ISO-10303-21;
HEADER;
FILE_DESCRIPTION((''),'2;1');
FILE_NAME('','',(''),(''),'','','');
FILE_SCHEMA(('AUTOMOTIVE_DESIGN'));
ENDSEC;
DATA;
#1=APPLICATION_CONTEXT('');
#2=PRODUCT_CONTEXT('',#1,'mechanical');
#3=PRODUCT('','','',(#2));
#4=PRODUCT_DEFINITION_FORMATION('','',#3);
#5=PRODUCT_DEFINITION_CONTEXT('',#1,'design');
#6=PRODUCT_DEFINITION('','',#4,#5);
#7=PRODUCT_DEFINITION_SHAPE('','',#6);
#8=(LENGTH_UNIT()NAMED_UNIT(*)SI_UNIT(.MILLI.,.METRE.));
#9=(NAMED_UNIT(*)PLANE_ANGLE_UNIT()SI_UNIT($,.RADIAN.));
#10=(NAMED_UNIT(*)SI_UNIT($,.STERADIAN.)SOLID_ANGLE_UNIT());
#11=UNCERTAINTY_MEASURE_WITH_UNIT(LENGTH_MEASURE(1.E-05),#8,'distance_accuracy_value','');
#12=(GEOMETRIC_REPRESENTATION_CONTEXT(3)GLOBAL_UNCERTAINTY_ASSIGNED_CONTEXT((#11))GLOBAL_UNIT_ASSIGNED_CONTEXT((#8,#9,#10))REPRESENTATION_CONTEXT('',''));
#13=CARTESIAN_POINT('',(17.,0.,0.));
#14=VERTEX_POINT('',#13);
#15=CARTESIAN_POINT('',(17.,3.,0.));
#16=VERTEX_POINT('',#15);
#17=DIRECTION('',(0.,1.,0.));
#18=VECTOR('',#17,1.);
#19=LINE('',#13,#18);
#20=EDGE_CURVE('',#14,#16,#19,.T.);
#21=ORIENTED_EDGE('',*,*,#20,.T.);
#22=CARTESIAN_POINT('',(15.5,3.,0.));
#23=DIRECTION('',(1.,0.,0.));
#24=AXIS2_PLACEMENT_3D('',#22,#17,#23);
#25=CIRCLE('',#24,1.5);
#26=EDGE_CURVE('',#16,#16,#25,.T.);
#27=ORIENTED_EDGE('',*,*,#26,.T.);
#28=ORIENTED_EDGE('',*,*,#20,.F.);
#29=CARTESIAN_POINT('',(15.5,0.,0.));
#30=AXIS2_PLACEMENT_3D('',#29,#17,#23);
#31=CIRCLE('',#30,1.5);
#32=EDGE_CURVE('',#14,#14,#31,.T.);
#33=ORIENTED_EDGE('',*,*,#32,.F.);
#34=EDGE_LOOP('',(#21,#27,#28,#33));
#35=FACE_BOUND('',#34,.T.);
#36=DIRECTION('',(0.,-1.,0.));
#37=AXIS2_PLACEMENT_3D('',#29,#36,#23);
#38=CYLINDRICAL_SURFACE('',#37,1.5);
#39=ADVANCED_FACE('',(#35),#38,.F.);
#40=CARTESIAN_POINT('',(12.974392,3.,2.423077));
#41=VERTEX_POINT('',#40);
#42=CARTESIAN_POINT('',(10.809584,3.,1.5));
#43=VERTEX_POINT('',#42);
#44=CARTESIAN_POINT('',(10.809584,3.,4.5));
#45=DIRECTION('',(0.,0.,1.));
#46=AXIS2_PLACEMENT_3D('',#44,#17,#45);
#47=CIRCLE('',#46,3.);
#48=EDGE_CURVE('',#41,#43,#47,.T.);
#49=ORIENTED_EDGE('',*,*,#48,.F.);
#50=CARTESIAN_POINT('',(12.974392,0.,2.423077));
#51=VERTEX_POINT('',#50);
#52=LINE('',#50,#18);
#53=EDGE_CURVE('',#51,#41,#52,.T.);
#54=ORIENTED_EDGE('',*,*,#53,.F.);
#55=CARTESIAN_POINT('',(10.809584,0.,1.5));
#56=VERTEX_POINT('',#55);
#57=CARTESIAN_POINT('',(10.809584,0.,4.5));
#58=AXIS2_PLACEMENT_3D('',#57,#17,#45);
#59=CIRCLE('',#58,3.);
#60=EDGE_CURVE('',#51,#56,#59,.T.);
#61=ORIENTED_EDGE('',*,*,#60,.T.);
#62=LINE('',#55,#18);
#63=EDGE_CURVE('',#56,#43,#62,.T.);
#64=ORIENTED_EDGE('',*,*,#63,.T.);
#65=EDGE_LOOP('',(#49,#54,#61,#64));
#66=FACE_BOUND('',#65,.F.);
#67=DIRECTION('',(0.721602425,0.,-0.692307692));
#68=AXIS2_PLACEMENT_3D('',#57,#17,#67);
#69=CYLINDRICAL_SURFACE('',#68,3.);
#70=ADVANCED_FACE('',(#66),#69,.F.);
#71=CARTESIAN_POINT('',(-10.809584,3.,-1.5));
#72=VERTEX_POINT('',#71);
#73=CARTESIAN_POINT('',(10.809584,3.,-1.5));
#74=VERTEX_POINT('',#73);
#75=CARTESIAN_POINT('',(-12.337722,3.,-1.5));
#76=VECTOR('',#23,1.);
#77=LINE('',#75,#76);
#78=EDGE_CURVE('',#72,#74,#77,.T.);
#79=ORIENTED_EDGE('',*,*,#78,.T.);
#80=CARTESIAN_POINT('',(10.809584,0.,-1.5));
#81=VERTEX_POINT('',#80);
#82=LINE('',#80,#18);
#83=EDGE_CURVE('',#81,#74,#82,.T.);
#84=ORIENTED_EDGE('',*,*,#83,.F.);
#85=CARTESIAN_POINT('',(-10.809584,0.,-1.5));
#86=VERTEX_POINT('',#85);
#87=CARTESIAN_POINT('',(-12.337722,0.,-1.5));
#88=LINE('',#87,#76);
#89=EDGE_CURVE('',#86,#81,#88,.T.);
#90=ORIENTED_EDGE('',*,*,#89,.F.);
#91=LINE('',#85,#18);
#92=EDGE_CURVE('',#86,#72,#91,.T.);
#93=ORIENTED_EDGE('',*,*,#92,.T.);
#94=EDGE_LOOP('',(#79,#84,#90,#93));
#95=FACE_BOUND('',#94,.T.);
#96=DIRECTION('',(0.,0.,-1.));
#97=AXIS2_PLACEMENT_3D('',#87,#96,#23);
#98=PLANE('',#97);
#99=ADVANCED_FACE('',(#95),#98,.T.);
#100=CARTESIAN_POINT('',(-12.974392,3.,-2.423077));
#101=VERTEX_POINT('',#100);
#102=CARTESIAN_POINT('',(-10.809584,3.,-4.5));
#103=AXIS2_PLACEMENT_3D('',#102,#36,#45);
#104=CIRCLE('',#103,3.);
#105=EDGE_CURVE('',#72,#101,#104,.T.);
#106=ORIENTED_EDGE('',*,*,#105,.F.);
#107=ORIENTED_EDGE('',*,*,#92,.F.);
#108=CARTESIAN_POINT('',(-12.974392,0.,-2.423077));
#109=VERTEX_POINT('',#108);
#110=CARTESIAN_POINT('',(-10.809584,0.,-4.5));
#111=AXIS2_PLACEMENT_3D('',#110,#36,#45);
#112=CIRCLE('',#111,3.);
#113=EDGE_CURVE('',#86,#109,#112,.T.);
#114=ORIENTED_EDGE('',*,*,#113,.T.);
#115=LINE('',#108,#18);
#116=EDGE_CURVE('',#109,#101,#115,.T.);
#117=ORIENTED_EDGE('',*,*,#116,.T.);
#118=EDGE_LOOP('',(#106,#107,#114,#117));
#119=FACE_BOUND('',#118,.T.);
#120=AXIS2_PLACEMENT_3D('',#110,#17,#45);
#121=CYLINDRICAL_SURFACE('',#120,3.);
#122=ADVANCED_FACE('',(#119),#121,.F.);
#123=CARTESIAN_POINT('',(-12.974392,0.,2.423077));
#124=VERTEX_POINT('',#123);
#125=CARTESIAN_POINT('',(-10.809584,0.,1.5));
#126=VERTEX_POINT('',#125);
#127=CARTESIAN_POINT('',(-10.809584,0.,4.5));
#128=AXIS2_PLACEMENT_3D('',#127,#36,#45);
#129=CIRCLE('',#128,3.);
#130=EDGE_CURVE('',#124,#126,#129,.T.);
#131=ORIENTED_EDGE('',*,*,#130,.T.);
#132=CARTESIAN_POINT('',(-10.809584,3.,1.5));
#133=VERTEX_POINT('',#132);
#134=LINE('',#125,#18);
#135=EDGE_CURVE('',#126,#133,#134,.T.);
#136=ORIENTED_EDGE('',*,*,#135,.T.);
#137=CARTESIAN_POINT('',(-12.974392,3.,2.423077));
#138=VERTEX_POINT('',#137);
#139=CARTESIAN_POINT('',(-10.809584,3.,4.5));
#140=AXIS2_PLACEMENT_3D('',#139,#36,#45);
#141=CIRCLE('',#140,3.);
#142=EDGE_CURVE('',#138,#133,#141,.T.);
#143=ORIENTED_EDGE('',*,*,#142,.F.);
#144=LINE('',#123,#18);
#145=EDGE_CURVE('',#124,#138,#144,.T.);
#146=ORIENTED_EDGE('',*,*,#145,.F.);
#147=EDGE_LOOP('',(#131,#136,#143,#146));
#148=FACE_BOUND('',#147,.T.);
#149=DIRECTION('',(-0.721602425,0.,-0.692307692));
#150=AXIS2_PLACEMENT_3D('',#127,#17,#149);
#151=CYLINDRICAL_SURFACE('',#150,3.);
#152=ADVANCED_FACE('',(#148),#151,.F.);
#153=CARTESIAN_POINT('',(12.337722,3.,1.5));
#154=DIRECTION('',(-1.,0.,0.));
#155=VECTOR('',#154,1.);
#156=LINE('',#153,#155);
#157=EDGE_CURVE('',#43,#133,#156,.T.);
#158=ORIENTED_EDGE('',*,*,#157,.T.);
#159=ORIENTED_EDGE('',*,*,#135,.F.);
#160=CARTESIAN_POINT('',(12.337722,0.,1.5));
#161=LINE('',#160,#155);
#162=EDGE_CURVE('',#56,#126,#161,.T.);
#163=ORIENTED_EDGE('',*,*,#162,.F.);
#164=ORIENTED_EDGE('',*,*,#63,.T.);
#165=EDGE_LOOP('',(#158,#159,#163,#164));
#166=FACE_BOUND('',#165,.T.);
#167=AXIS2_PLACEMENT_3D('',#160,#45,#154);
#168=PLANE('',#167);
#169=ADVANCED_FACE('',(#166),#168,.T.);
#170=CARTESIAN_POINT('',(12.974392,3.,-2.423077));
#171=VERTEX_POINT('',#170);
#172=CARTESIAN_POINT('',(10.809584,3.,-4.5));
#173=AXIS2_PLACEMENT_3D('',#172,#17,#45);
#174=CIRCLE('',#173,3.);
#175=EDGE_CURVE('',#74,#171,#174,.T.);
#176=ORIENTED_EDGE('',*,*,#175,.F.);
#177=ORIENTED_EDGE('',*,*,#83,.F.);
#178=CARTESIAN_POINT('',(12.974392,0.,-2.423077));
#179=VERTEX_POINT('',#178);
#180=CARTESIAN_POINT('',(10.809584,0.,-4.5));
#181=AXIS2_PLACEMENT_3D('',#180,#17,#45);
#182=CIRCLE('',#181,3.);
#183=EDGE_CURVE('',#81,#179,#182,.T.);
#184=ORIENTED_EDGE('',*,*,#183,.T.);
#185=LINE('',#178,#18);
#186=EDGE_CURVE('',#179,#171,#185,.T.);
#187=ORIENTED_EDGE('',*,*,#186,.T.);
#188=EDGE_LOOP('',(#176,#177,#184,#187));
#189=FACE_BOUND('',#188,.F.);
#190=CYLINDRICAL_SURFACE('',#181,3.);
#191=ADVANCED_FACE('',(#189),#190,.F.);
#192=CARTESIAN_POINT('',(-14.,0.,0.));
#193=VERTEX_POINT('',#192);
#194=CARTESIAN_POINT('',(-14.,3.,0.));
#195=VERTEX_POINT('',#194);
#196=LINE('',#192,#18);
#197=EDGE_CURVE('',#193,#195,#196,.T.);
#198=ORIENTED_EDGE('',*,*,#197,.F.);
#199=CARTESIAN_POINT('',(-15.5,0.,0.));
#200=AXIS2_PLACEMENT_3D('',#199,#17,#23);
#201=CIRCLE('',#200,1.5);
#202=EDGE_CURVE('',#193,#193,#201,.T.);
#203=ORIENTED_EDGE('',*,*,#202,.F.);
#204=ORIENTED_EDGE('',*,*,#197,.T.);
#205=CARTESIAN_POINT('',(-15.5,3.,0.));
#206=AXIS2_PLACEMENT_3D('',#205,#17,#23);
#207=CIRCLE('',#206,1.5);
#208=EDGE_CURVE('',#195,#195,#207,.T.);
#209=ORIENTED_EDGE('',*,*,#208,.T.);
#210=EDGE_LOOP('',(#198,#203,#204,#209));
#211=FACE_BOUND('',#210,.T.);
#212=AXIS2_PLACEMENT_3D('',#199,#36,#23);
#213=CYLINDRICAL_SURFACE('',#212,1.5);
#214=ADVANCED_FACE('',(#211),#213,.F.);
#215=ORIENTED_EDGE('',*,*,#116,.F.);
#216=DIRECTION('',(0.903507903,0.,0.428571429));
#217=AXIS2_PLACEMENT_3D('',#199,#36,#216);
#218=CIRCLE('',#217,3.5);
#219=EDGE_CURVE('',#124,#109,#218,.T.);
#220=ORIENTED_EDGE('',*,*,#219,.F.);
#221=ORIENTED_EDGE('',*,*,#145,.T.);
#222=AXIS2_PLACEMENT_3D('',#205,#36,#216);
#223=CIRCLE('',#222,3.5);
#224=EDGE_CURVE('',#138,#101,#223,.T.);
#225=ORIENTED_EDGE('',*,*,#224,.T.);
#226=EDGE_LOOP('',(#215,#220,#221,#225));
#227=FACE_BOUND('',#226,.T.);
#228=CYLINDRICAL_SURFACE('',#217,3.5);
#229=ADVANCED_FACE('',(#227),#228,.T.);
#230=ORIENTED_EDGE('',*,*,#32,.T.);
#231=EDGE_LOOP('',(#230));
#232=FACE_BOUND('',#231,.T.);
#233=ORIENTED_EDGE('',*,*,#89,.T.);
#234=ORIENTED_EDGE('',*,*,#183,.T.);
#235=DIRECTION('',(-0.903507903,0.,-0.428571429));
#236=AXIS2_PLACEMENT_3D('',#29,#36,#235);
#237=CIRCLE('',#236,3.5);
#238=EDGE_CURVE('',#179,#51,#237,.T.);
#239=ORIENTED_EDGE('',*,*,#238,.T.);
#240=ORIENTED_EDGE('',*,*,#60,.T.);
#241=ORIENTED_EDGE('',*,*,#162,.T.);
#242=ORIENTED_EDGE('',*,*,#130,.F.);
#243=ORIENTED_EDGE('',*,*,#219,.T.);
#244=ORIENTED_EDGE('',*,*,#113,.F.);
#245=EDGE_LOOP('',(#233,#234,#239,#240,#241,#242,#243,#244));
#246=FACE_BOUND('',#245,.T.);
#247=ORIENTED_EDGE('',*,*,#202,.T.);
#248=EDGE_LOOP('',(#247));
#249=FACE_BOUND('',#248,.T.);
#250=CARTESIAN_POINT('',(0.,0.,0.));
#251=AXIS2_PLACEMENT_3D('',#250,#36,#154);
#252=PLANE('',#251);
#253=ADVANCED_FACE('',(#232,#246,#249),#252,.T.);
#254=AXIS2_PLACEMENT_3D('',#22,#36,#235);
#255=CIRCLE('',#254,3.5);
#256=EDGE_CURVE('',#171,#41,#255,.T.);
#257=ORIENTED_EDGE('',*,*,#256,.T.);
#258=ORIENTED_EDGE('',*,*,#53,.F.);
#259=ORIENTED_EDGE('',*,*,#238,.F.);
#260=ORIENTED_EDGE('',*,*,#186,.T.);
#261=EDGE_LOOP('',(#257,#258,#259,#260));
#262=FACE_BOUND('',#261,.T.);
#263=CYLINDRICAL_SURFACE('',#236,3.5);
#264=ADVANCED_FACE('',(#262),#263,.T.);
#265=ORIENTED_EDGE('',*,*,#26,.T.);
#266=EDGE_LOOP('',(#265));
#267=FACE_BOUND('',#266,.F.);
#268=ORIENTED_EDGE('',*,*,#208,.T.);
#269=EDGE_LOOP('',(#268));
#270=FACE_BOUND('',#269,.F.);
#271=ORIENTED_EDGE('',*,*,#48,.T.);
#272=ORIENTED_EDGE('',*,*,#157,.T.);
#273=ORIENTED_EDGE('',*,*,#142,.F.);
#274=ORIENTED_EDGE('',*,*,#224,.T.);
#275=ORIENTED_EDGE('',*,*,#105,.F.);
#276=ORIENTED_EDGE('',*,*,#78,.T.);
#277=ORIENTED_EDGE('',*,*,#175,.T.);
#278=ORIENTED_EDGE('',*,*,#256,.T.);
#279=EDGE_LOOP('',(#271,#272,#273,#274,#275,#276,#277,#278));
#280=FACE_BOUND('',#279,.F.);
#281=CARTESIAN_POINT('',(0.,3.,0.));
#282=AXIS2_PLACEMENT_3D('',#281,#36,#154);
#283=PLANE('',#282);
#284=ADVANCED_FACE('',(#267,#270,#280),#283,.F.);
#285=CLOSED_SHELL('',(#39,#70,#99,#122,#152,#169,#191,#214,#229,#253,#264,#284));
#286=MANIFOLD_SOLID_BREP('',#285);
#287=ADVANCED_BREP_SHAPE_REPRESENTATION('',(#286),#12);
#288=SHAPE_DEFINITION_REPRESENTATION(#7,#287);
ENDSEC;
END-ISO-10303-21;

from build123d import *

# Parameters (mm, degrees)
SKETCH1_R           = 1.5
BOSS_EXTRUDE1_DEPTH = 3
FILLET1_R           = 3


with BuildPart() as part:
    # Sketch1 → Boss-Extrude1 (new body)
    with BuildSketch(Plane(origin=(0, 0, 0), x_dir=(1, 0, 0), z_dir=(0, 1, 0))):
        with BuildLine():
            Line((-12.33772234, 1.5), (12.33772234, 1.5))
            ThreePointArc((12.33772234, 1.5), (19, 0), (12.33772234, -1.5))
            Line((12.33772234, -1.5), (-12.33772234, -1.5))
            ThreePointArc((-12.33772234, -1.5), (-19, 0), (-12.33772234, 1.5))
        make_face()
        with Locations((-15.5, 0)):
            Circle(SKETCH1_R, mode=Mode.SUBTRACT)
        with Locations((15.5, 0)):
            Circle(SKETCH1_R, mode=Mode.SUBTRACT)
    extrude(amount=BOSS_EXTRUDE1_DEPTH)

    # Fillet1
    fillet1_edges = [part.edges().sort_by_distance(p)[0] for p in [
        (-12.33772234, 1.5, -1.5),
        (12.33772234, 1.5, -1.5),
        (12.33772234, 1.5, 1.5),
        (-12.33772234, 1.5, 1.5),
    ]]
    fillet(fillet1_edges, radius=FILLET1_R)


solid = part.part
